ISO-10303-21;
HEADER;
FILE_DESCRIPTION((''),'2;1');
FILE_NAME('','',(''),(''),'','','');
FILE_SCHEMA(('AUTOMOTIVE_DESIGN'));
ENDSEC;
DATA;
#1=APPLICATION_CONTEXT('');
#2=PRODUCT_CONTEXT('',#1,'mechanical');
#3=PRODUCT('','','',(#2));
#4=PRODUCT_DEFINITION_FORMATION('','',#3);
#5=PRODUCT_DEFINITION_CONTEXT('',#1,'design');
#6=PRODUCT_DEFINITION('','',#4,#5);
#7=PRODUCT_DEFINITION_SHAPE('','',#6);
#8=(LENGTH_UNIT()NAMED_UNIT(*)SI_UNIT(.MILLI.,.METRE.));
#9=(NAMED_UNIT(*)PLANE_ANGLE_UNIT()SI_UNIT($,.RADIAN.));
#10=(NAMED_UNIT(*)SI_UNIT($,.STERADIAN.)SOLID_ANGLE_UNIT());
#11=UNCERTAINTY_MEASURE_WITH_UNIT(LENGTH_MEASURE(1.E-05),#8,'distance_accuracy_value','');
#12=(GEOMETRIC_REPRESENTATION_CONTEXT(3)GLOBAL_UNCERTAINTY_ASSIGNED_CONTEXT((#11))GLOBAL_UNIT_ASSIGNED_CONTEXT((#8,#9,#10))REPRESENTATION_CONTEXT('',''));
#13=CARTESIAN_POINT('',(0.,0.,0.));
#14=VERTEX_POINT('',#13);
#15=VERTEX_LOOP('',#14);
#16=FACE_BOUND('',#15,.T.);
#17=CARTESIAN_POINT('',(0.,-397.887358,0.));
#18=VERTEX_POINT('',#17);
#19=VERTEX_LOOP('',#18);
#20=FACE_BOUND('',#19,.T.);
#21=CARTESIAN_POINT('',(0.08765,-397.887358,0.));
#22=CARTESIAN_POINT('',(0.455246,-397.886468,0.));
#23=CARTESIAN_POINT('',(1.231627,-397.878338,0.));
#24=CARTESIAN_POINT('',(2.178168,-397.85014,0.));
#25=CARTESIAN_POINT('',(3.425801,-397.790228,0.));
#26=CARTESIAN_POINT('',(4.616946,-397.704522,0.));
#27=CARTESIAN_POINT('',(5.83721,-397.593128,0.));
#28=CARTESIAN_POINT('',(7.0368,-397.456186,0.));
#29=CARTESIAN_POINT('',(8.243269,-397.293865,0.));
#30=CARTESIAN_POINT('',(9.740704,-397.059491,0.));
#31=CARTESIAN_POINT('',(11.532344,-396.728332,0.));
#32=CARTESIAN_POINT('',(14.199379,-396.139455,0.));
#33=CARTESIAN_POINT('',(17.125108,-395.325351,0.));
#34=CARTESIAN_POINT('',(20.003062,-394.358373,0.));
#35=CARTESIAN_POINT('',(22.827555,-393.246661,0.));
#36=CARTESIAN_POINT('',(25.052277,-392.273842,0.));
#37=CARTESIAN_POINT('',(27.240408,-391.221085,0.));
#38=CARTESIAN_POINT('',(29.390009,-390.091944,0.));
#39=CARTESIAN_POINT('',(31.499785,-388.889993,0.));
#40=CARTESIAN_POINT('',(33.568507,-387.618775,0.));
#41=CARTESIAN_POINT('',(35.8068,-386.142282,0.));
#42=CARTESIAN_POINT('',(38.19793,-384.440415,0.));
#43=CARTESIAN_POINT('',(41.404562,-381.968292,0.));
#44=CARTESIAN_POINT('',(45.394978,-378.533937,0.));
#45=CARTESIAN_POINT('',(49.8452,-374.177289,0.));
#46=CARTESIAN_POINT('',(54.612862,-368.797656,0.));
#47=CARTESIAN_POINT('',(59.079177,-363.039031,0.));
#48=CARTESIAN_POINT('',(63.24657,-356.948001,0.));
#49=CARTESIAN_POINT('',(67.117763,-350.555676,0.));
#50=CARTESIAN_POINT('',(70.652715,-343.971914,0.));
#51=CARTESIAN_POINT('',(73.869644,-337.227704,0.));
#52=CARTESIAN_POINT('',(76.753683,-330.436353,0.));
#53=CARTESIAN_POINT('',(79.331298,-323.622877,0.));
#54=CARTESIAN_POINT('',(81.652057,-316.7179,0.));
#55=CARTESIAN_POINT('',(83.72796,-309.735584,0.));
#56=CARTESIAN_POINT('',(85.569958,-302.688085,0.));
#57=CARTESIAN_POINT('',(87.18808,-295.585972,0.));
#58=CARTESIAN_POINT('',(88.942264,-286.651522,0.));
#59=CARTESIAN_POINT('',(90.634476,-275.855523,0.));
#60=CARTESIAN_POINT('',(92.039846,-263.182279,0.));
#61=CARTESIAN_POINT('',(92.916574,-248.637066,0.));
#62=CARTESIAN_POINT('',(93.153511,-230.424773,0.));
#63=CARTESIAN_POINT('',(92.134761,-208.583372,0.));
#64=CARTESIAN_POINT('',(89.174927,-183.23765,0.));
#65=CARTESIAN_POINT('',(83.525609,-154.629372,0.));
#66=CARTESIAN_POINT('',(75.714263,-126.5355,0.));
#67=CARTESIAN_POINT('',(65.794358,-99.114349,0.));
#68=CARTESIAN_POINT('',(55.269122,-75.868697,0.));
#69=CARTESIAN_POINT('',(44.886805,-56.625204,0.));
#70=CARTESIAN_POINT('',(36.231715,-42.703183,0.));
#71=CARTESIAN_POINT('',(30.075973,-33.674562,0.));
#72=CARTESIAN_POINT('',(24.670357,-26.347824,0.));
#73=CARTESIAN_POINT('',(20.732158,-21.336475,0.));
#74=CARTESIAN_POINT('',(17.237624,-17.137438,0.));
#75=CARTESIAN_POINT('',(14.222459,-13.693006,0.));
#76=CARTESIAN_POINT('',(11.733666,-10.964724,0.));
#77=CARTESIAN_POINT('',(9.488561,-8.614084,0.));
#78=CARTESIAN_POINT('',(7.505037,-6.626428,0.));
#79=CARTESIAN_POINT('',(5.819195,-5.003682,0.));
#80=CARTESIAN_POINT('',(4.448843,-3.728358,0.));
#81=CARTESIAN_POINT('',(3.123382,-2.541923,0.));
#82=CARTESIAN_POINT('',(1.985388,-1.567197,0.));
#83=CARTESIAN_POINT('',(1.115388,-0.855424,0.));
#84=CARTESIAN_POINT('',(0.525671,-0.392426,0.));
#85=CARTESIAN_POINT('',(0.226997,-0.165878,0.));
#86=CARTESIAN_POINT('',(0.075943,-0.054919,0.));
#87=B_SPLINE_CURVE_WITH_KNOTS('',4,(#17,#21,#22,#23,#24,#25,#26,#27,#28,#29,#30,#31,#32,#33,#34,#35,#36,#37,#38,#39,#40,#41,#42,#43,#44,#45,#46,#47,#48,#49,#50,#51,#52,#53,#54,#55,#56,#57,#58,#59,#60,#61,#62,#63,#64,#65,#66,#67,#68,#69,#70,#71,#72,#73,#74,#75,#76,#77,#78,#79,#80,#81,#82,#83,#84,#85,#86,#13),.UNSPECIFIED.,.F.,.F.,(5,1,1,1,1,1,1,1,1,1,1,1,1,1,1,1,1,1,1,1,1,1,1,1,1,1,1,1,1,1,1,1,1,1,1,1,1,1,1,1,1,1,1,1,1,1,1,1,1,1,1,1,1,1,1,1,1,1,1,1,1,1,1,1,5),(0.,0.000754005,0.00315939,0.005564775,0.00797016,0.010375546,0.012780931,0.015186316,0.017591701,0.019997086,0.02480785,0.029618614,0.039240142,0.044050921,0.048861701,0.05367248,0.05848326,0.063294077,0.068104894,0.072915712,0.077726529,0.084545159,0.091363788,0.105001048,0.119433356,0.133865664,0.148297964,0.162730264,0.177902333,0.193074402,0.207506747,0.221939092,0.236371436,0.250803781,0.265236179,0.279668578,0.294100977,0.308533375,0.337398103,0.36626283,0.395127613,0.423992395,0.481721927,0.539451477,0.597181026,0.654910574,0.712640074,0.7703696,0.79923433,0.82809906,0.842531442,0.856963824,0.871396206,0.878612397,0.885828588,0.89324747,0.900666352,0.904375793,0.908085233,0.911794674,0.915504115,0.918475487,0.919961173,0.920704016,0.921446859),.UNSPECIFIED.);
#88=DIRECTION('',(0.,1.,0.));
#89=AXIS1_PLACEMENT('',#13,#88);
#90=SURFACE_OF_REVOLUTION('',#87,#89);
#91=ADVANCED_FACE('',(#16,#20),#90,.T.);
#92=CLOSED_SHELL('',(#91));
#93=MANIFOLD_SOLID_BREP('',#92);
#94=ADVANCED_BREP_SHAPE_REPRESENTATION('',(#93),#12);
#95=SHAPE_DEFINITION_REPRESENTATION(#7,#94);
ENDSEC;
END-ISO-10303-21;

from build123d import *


with BuildPart() as part:
    # Sketch → Revolve 2 (revolve)
    with BuildSketch(Plane.XY):
        with BuildLine():
            Line((0, 0), (0, -397.88735773))
            add(Edge.make_bspline(
                [(0, 0), (0.075943118, -0.054918907), (0.226996678, -0.165878191), (0.525671323, -0.392426363), (1.115387865, -0.855424104), (1.985388, -1.567197151), (3.123381807, -2.541923368), (4.448842803, -3.728357624), (5.819195462, -5.003681886), (7.505036512, -6.62642776), (9.488561431, -8.614083647), (11.733666448, -10.964724434), (14.222459402, -13.693005756), (17.237624133, -17.137437978), (20.732158146, -21.336474858), (24.670356772, -26.347823719), (30.075973477, -33.674561648), (36.231715467, -42.703182638), (44.886805103, -56.625203983), (55.269121954, -75.868697219), (65.794358492, -99.11434862), (75.71426297, -126.535499635), (83.525608543, -154.629371503), (89.174926895, -183.237650127), (92.134761044, -208.583371905), (93.153511317, -230.424773429), (92.916574192, -248.637066331), (92.039846354, -263.182278757), (90.634475608, -275.855522597), (88.94226381, -286.651522466), (87.18807953, -295.585972248), (85.569957813, -302.688085155), (83.727959647, -309.735584111), (81.652057029, -316.717900074), (79.331297832, -323.622876862), (76.75368271, -330.436353023), (73.869644019, -337.227704026), (70.652715159, -343.971914028), (67.117762959, -350.555675948), (63.246569573, -356.948001018), (59.079176571, -363.039031311), (54.612861756, -368.797656253), (49.845199733, -374.177288752), (45.394978189, -378.533936735), (41.404562199, -381.968292233), (38.197929521, -384.440415498), (35.806800371, -386.142282186), (33.568506539, -387.618775276), (31.499784979, -388.889992928), (29.390009167, -390.091943787), (27.240408028, -391.221084751), (25.052277272, -392.273842316), (22.827555287, -393.246661374), (20.003061672, -394.358372911), (17.125107845, -395.325351157), (14.199378823, -396.139454655), (11.532343592, -396.728331741), (9.740704036, -397.059490697), (8.243268814, -397.293864905), (7.03680047, -397.456186465), (5.83720991, -397.593127934), (4.616945744, -397.704522119), (3.425800823, -397.790228455), (2.178167955, -397.850140102), (1.231626925, -397.878338216), (0.455246439, -397.886468376), (0.087650456, -397.88735773), (0, -397.88735773)],
                knots=[0, 0, 0, 0, 0, 0.000742843, 0.001485686, 0.002971372, 0.005942744, 0.009652185, 0.013361626, 0.017071067, 0.020780507, 0.028199389, 0.035618271, 0.042834462, 0.050050653, 0.064483035, 0.078915417, 0.0933478, 0.122212529, 0.151077259, 0.208806785, 0.266536285, 0.324265833, 0.381995382, 0.439724932, 0.497454464, 0.526319246, 0.555184029, 0.584048756, 0.612913484, 0.627345883, 0.641778281, 0.65621068, 0.670643078, 0.685075423, 0.699507768, 0.713940112, 0.728372457, 0.743544526, 0.758716595, 0.773148895, 0.787581195, 0.802013503, 0.816445812, 0.830083071, 0.836901701, 0.84372033, 0.848531147, 0.853341965, 0.858152782, 0.862963599, 0.867774379, 0.872585158, 0.877395938, 0.882206717, 0.891828245, 0.896639009, 0.901449773, 0.903855158, 0.906260543, 0.908665928, 0.911071314, 0.913476699, 0.915882084, 0.918287469, 0.920692854, 0.921446859, 0.921446859, 0.921446859, 0.921446859, 0.921446859], degree=4))
        make_face()
    revolve(axis=Axis((0, 0, 0), (0, -1, 0)))


solid = part.part
